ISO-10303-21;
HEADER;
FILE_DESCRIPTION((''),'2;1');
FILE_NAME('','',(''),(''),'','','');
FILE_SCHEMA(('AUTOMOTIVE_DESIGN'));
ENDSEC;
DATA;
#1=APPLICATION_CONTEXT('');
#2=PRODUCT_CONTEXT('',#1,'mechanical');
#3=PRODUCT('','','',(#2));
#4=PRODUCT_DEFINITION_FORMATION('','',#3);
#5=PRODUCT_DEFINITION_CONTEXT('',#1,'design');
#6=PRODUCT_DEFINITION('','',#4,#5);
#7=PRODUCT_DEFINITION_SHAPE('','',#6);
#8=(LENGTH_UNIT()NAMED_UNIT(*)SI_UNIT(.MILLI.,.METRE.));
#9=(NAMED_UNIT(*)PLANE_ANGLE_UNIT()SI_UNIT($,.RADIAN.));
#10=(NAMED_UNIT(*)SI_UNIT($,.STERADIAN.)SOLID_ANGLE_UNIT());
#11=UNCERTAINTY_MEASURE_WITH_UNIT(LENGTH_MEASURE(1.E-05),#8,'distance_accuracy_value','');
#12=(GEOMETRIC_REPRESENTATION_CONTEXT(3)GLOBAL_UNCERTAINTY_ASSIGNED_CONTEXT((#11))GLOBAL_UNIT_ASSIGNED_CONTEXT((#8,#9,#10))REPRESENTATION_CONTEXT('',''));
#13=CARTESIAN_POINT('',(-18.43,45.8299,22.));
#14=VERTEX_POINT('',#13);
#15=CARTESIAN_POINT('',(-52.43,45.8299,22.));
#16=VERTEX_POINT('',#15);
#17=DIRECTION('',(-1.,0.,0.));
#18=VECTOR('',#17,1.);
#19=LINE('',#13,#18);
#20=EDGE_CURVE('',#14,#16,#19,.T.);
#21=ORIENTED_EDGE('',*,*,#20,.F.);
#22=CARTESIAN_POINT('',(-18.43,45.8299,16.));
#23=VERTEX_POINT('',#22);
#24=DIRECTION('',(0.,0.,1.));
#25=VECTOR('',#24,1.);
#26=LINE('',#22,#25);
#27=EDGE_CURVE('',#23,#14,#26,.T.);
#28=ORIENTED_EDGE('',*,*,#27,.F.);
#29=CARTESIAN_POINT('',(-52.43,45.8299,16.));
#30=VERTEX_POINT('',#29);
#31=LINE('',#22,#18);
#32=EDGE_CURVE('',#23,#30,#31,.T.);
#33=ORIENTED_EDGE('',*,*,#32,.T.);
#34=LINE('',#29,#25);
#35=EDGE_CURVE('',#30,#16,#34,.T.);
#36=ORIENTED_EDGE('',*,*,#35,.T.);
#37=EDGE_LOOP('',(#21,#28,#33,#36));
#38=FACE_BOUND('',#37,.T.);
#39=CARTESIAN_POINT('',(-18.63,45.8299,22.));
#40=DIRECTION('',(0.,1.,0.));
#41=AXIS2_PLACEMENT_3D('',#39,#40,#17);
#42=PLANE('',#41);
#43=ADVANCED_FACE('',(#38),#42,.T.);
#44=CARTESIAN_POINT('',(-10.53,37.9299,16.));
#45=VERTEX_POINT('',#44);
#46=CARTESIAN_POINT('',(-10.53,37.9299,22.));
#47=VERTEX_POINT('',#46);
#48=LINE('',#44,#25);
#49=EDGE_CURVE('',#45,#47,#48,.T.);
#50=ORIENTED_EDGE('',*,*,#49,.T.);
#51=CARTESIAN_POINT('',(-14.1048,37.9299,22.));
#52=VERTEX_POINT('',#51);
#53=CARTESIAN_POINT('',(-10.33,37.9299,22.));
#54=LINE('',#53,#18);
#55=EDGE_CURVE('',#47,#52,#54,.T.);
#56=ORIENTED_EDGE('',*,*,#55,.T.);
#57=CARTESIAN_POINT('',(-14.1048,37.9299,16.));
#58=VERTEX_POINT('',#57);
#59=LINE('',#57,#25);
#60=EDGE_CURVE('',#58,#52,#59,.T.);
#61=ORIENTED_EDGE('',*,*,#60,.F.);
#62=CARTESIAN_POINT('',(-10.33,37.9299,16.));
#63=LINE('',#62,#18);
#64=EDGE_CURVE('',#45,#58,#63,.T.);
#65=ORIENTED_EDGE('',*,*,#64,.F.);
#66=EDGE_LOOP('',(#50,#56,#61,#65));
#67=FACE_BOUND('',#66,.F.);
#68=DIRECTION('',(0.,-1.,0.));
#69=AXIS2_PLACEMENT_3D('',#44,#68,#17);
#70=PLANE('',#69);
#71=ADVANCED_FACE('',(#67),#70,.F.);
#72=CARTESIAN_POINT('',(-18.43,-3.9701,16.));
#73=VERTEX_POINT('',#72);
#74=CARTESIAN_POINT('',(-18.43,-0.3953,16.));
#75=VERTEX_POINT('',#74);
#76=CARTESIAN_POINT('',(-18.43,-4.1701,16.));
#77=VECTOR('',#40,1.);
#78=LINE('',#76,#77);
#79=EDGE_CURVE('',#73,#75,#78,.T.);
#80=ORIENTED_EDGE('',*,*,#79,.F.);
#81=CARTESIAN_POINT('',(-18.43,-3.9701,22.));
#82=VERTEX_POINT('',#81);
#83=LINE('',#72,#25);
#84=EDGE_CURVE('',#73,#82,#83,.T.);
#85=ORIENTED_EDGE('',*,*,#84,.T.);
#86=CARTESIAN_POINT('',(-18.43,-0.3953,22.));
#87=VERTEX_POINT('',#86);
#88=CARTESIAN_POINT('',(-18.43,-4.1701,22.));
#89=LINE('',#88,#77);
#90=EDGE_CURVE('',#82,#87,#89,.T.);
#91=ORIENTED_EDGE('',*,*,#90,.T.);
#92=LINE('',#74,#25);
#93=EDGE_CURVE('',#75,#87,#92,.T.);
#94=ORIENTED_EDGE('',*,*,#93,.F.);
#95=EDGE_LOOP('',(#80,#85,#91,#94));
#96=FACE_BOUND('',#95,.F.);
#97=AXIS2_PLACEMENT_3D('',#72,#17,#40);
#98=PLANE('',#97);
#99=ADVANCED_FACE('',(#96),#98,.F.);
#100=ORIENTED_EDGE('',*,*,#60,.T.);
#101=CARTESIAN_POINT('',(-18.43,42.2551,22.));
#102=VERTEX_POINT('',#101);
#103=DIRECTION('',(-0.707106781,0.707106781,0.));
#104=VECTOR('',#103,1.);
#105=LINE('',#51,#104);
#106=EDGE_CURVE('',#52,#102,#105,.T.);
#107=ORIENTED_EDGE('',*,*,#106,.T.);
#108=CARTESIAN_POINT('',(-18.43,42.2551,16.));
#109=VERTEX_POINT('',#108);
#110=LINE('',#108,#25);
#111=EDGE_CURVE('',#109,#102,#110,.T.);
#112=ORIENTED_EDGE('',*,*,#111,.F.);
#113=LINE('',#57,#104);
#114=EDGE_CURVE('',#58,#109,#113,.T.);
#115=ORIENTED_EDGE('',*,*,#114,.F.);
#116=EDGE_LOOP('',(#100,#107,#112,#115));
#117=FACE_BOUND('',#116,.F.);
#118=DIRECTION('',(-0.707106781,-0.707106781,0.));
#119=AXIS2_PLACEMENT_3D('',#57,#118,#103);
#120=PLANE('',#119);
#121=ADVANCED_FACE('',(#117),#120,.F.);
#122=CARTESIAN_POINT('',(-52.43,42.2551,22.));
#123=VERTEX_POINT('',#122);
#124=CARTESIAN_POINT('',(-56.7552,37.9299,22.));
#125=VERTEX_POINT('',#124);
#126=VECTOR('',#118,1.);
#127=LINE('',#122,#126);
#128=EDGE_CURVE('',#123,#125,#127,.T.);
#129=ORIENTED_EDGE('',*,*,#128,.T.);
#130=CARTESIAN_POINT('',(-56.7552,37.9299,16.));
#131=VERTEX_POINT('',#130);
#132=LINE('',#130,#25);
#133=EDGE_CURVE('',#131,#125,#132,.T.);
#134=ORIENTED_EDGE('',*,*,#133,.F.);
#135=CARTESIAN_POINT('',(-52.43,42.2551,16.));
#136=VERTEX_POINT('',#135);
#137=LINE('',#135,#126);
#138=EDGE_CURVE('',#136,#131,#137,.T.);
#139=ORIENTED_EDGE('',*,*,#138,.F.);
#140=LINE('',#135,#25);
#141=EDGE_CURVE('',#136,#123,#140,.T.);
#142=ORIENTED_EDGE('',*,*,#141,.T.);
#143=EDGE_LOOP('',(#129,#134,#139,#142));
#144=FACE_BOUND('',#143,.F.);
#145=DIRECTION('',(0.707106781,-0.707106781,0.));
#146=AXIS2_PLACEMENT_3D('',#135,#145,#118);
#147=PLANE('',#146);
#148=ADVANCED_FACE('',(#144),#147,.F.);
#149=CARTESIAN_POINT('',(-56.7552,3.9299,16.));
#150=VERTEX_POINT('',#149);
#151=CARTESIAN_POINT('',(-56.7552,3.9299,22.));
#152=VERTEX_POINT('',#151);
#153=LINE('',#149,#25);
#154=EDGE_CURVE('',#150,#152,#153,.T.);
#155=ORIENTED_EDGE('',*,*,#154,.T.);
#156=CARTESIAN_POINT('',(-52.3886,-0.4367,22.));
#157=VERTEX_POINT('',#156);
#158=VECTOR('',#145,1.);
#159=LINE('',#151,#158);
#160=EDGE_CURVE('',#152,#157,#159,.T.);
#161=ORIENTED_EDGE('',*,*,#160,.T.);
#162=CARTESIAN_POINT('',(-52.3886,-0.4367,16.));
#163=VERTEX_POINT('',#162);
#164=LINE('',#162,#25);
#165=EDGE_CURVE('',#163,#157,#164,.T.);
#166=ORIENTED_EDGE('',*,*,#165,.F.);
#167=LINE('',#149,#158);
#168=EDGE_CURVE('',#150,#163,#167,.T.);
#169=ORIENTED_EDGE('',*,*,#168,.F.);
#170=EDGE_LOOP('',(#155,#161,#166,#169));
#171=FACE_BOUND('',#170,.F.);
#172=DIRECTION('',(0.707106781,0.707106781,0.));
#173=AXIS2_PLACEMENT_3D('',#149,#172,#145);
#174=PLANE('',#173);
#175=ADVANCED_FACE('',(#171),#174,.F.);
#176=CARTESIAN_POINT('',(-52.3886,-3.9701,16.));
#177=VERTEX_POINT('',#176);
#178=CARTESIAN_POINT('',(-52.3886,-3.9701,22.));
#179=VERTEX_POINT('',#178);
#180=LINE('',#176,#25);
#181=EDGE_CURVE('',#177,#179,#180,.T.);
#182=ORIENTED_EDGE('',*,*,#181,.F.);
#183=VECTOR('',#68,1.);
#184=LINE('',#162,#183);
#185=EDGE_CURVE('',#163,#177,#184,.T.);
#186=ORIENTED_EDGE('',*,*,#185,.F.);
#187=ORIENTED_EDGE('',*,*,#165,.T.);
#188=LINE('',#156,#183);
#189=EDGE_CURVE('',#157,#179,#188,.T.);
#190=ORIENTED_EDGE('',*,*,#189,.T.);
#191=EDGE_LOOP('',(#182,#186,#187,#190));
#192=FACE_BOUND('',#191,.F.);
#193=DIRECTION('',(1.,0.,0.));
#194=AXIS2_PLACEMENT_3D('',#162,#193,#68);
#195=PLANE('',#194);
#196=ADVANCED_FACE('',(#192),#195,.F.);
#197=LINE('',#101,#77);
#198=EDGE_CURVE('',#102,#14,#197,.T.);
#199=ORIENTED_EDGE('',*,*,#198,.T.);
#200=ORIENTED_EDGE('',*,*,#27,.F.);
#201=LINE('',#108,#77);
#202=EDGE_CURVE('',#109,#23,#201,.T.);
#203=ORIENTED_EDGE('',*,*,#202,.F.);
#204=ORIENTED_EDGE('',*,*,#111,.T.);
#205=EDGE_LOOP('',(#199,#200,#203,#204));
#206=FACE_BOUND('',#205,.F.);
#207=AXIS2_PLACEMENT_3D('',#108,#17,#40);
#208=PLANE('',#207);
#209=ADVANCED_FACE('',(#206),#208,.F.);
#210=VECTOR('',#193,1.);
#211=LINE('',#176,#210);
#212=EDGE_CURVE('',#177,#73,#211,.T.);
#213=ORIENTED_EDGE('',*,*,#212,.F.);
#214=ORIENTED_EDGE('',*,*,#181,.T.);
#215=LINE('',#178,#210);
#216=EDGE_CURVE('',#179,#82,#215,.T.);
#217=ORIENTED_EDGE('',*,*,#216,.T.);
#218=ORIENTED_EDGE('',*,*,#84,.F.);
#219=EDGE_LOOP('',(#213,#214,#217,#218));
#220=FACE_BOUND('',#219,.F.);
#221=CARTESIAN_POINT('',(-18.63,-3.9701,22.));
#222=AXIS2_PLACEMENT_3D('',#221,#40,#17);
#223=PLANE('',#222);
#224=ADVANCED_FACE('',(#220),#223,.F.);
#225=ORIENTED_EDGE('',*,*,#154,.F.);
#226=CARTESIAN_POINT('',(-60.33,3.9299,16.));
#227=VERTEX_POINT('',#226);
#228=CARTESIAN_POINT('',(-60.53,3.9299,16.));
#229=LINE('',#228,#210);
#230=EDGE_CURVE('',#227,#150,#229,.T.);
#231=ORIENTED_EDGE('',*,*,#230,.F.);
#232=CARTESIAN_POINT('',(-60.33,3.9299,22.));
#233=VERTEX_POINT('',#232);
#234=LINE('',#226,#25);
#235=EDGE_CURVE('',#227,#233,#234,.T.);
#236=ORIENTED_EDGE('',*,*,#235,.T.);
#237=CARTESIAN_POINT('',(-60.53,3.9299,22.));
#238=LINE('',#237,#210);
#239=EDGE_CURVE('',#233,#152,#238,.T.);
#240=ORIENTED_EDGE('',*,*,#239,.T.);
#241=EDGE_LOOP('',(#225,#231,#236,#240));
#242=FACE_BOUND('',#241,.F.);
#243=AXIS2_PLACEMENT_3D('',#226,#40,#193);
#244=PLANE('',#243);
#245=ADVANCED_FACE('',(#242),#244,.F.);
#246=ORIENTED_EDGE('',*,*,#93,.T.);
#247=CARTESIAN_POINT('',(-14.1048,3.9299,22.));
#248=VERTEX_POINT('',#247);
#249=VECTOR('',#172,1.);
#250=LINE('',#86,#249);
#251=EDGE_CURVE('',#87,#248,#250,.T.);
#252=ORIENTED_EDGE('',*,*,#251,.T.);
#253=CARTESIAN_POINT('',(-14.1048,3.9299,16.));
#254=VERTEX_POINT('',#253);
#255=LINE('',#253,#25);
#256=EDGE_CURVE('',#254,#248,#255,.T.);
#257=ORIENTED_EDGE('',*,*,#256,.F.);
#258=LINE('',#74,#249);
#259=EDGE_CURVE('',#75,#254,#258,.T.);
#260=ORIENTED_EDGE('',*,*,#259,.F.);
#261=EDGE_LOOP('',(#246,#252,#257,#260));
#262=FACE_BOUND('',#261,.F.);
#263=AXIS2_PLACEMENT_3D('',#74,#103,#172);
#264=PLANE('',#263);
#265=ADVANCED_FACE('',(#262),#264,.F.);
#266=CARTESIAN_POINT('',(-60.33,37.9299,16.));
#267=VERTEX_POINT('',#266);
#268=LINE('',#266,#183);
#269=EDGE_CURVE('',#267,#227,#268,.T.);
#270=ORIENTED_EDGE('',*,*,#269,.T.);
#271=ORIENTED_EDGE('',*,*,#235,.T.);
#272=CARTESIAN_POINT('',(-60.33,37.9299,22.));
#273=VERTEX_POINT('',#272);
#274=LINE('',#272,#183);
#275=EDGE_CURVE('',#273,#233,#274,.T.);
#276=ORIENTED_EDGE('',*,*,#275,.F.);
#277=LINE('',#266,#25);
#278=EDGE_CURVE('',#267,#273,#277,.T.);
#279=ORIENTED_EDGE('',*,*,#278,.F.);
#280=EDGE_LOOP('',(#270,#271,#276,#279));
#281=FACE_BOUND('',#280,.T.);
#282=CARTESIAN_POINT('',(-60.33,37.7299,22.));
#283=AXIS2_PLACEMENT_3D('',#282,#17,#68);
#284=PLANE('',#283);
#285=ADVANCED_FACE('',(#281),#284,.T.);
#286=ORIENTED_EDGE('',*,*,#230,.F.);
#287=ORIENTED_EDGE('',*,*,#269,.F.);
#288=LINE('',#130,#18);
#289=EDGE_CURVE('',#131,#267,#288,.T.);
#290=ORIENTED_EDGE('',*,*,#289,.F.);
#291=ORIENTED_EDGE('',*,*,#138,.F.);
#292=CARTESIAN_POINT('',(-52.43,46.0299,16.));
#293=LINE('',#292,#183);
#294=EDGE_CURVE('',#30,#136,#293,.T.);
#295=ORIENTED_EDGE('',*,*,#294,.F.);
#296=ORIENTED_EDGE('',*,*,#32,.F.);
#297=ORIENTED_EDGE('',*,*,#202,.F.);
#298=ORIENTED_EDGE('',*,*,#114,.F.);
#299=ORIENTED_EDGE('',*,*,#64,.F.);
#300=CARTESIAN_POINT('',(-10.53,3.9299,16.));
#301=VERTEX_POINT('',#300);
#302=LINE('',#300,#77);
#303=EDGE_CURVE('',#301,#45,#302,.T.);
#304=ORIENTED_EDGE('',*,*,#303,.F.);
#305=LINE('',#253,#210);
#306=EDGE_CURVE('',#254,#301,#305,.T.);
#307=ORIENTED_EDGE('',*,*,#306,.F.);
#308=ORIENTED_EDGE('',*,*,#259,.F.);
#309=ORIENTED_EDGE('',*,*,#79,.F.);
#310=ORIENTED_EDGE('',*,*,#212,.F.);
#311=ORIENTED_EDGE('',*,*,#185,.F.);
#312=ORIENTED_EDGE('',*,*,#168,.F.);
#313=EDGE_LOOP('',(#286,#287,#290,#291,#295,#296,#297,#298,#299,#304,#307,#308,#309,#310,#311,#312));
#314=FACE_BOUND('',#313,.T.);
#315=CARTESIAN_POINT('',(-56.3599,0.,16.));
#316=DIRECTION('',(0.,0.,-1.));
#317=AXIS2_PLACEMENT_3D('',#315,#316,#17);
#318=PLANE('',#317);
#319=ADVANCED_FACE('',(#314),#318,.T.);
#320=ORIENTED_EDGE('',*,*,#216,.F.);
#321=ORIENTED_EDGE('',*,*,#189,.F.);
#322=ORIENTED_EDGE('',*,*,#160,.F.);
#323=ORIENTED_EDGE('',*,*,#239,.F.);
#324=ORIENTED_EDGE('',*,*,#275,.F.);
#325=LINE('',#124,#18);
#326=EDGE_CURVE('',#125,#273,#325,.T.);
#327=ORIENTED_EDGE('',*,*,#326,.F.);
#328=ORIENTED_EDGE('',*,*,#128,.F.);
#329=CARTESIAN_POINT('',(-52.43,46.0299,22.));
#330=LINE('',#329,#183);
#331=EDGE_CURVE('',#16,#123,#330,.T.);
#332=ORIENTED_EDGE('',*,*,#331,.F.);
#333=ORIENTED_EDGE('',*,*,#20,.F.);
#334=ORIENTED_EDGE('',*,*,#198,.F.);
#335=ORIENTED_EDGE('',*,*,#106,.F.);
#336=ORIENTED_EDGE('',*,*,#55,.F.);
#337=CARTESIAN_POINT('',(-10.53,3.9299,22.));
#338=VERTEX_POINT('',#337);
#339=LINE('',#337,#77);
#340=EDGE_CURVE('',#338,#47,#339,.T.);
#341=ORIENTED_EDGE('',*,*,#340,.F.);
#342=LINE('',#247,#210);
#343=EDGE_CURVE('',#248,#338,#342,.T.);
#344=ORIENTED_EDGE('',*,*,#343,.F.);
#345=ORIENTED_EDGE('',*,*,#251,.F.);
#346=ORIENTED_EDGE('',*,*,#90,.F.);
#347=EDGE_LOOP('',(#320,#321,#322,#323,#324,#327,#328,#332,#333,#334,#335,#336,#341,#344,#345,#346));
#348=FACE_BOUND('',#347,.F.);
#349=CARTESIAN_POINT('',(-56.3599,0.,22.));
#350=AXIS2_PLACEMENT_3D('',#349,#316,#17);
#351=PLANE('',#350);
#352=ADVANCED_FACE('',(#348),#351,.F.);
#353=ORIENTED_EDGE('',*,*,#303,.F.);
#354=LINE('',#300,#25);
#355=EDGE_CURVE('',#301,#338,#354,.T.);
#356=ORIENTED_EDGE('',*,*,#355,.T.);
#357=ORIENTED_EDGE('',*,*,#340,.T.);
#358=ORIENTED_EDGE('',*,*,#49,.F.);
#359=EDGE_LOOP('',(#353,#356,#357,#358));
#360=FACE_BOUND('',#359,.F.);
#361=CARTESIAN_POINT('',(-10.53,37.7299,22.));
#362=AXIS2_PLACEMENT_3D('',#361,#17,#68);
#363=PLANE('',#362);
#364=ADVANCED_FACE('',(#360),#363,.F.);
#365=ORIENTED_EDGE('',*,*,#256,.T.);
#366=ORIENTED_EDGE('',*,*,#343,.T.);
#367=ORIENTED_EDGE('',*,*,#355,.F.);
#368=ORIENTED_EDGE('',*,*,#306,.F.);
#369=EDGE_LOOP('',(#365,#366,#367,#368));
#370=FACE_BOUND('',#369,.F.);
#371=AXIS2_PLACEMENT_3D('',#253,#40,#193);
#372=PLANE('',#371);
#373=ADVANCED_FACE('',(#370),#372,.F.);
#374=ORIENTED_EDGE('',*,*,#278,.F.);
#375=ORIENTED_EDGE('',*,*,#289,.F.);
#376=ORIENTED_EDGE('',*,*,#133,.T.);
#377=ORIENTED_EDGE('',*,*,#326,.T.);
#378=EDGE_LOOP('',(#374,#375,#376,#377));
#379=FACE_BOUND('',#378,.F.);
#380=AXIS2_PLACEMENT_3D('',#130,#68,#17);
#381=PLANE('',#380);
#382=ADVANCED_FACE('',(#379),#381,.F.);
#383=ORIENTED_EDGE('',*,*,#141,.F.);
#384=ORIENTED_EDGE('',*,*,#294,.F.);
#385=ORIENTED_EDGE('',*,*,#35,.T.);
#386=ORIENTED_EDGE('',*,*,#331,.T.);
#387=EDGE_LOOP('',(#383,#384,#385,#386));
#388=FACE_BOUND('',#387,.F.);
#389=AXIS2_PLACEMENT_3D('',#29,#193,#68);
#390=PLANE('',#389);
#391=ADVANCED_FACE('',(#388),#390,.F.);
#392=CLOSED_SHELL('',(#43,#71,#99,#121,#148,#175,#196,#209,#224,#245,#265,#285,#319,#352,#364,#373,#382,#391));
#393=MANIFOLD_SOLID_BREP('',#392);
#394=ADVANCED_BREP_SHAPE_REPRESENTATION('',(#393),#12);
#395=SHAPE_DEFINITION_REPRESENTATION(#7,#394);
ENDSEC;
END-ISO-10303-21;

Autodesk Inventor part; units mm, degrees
ref_plane "YZ Plane" through (0, 0, 0) normal (1, 0, 0) x (0, 1, 0)
ref_plane "XZ Plane" through (0, 0, 0) normal (0, 1, 0) x (-1, 0, 0)
ref_plane "Work Plane1" through (-56.3599, 0, 22) normal (0, 0, -1) x (-1, 0, 0)
sketch "Sketch1" plane through (-56.3599, 0, 22) normal (0, 0, -1) x (-1, 0, 0)
  line L0 (-4.0299, -0.3538) -> (-2.2322, 1.4439) construction
  arc A0 (-1.4439, 2.2322) -> (-2.2322, 1.4439) centre (-0.9299, 0.9299) ccw construction
  line L1 (-1.4439, 2.2322) -> (0.3538, 4.0299) construction
  line L2 (-37.8299, 42.8299) -> (-37.8299, 37.8299) construction
  line L3 (-37.8299, 37.8299) -> (-42.9208, 37.8299) construction
  line L4 (-37.8299, 42.2137) -> (-37.8299, 45.8299) construction
  line L5 (-37.8299, 45.8299) -> (-4.0299, 45.8299) construction
  line L6 (-4.0299, 45.8299) -> (-4.0299, 42.2137) construction
  line L7 (-4.0299, 4.0299) -> (0.3538, 4.0299) projected
  circle A1 centre (-20.9299, 20.9299) radius 17.5 projected
  line L8 (-20.9299, 58.9723) -> (17.1124, 20.9299) construction
  line L9 (17.1124, 20.9299) -> (-20.9299, -17.1124) construction
  line L10 (-20.9299, -17.1124) -> (-58.9723, 20.9299) construction
  line L11 (-58.9723, 20.9299) -> (-20.9299, 58.9723) construction
  line L12 (-20.9299, 58.9723) -> (-20.9299, -17.1124) construction
  line L13 (17.1124, 20.9299) -> (-58.9723, 20.9299) construction
  line L14 (-20.9299, 58.9723) -> (32.8701, 58.9723) construction
  line L15 (-43.4299, 43.4299) -> (1.5701, 43.4299) construction
  line L16 (1.5701, 43.4299) -> (1.5701, -1.5701) construction
  line L17 (1.5701, -1.5701) -> (-43.4299, -1.5701) construction
  line L18 (-43.4299, -1.5701) -> (-43.4299, 43.4299) construction
  line L19 (-43.4299, 43.4299) -> (1.5701, -1.5701) construction
  line L20 (1.5701, 43.4299) -> (-43.4299, -1.5701) construction
  line L21 (-43.4299, 5.3876) -> (-43.4299, 36.4723)
  line L22 (-43.4299, 36.4723) -> (-36.4723, 43.4299)
  line L23 (-36.4723, 43.4299) -> (-5.3876, 43.4299)
  line L24 (-5.3876, 43.4299) -> (1.5701, 36.4723)
  line L25 (1.5701, 36.4723) -> (1.5701, 5.3876)
  line L26 (1.5701, 5.3876) -> (-5.3876, -1.5701)
  line L27 (-5.3876, -1.5701) -> (-36.4723, -1.5701)
  line L28 (-36.4723, -1.5701) -> (-43.4299, 5.3876)
  line L29 (-4.0299, 42.2137) -> (-37.8299, 42.2137) projected
  line L30 (-4.0299, -0.3538) -> (-4.0299, 4.0299) projected
  circle A2 centre (-20.9299, 20.9299) radius 1.5
  line L31 (-10.9299, 10.9299) -> (-30.9299, 10.9299) construction
  line L32 (-30.9299, 10.9299) -> (-30.9299, 30.9299) construction
  line L33 (-30.9299, 30.9299) -> (-10.9299, 30.9299) construction
  line L34 (-10.9299, 30.9299) -> (-10.9299, 10.9299) construction
  line L35 (-10.9299, 10.9299) -> (-30.9299, 30.9299) construction
  line L36 (-30.9299, 10.9299) -> (-10.9299, 30.9299) construction
  circle A3 centre (-30.9299, 30.9299) radius 1.4
  circle A4 centre (-30.9299, 10.9299) radius 1.4
  circle A5 centre (-10.9299, 10.9299) radius 1.4
  line L37 (-45.8299, 37.8299) -> (-42.0723, 37.8299) construction
  line L38 (-42.1723, 37.7299) -> (-45.8299, 37.7299)
  line L39 (-45.8299, 37.7299) -> (-45.8299, 4.1299)
  line L40 (-45.8299, 4.1299) -> (-42.1723, 4.1299)
  line L41 (-42.1723, 4.1299) -> (-42.1723, 37.7299)
  line L42 (-45.8299, 4.0299) -> (-42.0723, 4.0299) construction
  line L43 (-45.8299, 37.8299) -> (-42.0723, 37.8299) projected
  line L44 (-37.7299, 45.8299) -> (-4.1299, 45.8299)
  line L45 (-4.1299, 45.8299) -> (-4.1299, 42.1723)
  line L46 (-4.1299, 42.1723) -> (-37.7299, 42.1723)
  line L47 (-37.7299, 42.1723) -> (-37.7299, 45.8299)
  line L48 (0.4701, 37.8299) -> (0.4701, 4.0299) construction
  line L49 (0.4701, 4.0299) -> (3.9701, 4.0299) construction
  line L50 (3.9701, 37.8299) -> (3.9701, 4.0299) construction
  line L51 (0.4701, 37.8299) -> (3.9701, 37.8299) construction
  line L52 (-45.8299, -3.9701) -> (-4.0299, -3.9701) construction
  line L53 (0.3124, 37.7299) -> (3.9701, 37.7299)
  line L54 (3.9701, 37.7299) -> (3.9701, 4.1299)
  line L55 (3.9701, 4.1299) -> (0.3124, 4.1299)
  line L56 (0.3124, 4.1299) -> (0.3124, 37.7299)
  line L57 (-4.1713, -0.3538) -> (-37.7299, -0.3538)
  line L58 (-37.7299, -0.3538) -> (-37.7299, -3.9701)
  line L59 (-37.7299, -3.9701) -> (-4.1713, -3.9701)
  line L60 (-4.1713, -3.9701) -> (-4.1713, -0.3538)
  point P0 (-37.8299, 4.0299)
  dimension "d18" = 53.8
  dimension "d19" = 45
  dimension "d20" = 53.8
  dimension "d21" = 45
  dimension "d22" = 45
  dimension "d30" = 20
  dimension "d31" = 20
  dimension "d32" = 2.8
  dimension "d33" = 2.8
  dimension "d34" = 2.8
  dimension "d35" = 3
  dimension "d36" = 0.1
  dimension "d37" = 0.1
  dimension "d38" = 0.1
  dimension "d39" = 0.1
extrude "Extrusion1" add sketch "Sketch1" along normal blind 6 contours L30 L26 L57 L28 L41 L22 L46 L24 L56 L7 | L7 L26 L30 | L56 L24 L25 L26 | L26 L25 L24 L53 L54 L55 | L60 L59 L58 L57 L28 L27 L26 | L26 L27 L28 L57 | L46 L22 L29 L24 | L24 L29 L45 | L40 L39 L38 L22 L21 L28 | L28 L21 L22 L41 | L29 L22 L23 L24 | L24 L23 L22 L29 L47 L44 L45 | L47 L29 L22 | A1 | A2 | A3 | A4 | A5
sketch "Skizze4" plane through (-56.3599, 0, 16) normal (0, 0, -1) x (-1, 0, 0)
  line L0 (-37.7299, 42.1723) -> (-42.1723, 37.7299) projected
  line L1 (-42.1723, 37.7299) -> (-45.8299, 37.7299) projected
  line L2 (-45.8299, 37.7299) -> (-45.8299, 4.1299) construction
  line L3 (-45.8299, 4.1299) -> (-42.1723, 4.1299) projected
  line L4 (-42.1723, 4.1299) -> (-37.6885, -0.3538) projected
  line L5 (-37.6885, -0.3538) -> (-37.7299, -0.3538) projected
  line L6 (-37.7299, -0.3538) -> (-37.7299, -3.9701) projected
  line L7 (-37.7299, -3.9701) -> (-4.1713, -3.9701) construction
  line L8 (-4.1713, -3.9701) -> (-4.1713, -0.3538) projected
  line L9 (-4.1713, -0.3538) -> (0.3124, 4.1299) projected
  line L10 (0.3124, 4.1299) -> (3.9701, 4.1299) projected
  line L11 (3.9701, 4.1299) -> (3.9701, 37.7299) construction
  line L12 (3.9701, 37.7299) -> (0.3124, 37.7299) projected
  line L13 (0.3124, 37.7299) -> (-4.1299, 42.1723) projected
  line L14 (-4.1299, 42.1723) -> (-4.1299, 45.8299) projected
  line L15 (-4.1299, 45.8299) -> (-37.7299, 45.8299) construction
  line L16 (-37.7299, 45.8299) -> (-37.7299, 42.1723) projected
  line L17 (-37.9299, 46.0299) -> (-3.9299, 46.0299) construction
  line L18 (-3.9299, 46.0299) -> (-3.9299, 42.2551)
  line L19 (-3.9299, 42.2551) -> (0.3953, 37.9299)
  line L20 (0.3953, 37.9299) -> (4.1701, 37.9299)
  line L21 (4.1701, 37.9299) -> (4.1701, 3.9299) construction
  line L22 (4.1701, 3.9299) -> (0.3953, 3.9299)
  line L23 (0.3953, 3.9299) -> (-3.9713, -0.4367)
  line L24 (-3.9713, -0.4367) -> (-3.9713, -4.1701)
  line L25 (-3.9713, -4.1701) -> (-37.9299, -4.1701) construction
  line L26 (-37.9299, -4.1701) -> (-37.9299, -0.3953)
  line L27 (-37.9299, -0.3953) -> (-42.2551, 3.9299)
  line L28 (-42.2551, 3.9299) -> (-46.0299, 3.9299)
  line L29 (-46.0299, 3.9299) -> (-46.0299, 37.9299) construction
  line L30 (-46.0299, 37.9299) -> (-42.2551, 37.9299)
  line L31 (-42.2551, 37.9299) -> (-37.9299, 42.2551)
  line L32 (-37.9299, 42.2551) -> (-37.9299, 46.0299)
  line L33 (-45.8299, 37.7299) -> (-45.8299, 37.9299)
  line L34 (-4.1299, 45.8299) -> (-37.7299, 45.8299) projected
  line L35 (-37.7299, 45.8299) -> (-37.9299, 45.8299)
  line L36 (-4.1299, 45.8299) -> (-3.9299, 45.8299)
  line L37 (3.9701, 37.7299) -> (3.9701, 37.9299)
  line L38 (3.9701, 4.1299) -> (3.9701, 37.7299) projected
  line L39 (3.9701, 4.1299) -> (3.9701, 3.9299)
  line L40 (-4.1713, -3.9701) -> (-3.9713, -3.9701)
  line L41 (-37.7299, -3.9701) -> (-37.9299, -3.9701)
  line L42 (-45.8299, 4.1299) -> (-45.8299, 3.9299)
  point P0 (-56.3599, 0)
  dimension "d40" = 0.2
extrude "IM_offset" add sketch "Skizze4" against normal up to surface (6 mm away)
ref_plane "Arbeitsebene5" through (-35.4299, 3.9299, 22) normal (-1, 0, 0) x (0, 0, 1)
ref_plane "Arbeitsebene6" through (-18.4299, 20.9299, 22) normal (0, 1, 0) x (-1, 0, 0)
properties part number "20_Cube_Insert_Electronics_v3"
